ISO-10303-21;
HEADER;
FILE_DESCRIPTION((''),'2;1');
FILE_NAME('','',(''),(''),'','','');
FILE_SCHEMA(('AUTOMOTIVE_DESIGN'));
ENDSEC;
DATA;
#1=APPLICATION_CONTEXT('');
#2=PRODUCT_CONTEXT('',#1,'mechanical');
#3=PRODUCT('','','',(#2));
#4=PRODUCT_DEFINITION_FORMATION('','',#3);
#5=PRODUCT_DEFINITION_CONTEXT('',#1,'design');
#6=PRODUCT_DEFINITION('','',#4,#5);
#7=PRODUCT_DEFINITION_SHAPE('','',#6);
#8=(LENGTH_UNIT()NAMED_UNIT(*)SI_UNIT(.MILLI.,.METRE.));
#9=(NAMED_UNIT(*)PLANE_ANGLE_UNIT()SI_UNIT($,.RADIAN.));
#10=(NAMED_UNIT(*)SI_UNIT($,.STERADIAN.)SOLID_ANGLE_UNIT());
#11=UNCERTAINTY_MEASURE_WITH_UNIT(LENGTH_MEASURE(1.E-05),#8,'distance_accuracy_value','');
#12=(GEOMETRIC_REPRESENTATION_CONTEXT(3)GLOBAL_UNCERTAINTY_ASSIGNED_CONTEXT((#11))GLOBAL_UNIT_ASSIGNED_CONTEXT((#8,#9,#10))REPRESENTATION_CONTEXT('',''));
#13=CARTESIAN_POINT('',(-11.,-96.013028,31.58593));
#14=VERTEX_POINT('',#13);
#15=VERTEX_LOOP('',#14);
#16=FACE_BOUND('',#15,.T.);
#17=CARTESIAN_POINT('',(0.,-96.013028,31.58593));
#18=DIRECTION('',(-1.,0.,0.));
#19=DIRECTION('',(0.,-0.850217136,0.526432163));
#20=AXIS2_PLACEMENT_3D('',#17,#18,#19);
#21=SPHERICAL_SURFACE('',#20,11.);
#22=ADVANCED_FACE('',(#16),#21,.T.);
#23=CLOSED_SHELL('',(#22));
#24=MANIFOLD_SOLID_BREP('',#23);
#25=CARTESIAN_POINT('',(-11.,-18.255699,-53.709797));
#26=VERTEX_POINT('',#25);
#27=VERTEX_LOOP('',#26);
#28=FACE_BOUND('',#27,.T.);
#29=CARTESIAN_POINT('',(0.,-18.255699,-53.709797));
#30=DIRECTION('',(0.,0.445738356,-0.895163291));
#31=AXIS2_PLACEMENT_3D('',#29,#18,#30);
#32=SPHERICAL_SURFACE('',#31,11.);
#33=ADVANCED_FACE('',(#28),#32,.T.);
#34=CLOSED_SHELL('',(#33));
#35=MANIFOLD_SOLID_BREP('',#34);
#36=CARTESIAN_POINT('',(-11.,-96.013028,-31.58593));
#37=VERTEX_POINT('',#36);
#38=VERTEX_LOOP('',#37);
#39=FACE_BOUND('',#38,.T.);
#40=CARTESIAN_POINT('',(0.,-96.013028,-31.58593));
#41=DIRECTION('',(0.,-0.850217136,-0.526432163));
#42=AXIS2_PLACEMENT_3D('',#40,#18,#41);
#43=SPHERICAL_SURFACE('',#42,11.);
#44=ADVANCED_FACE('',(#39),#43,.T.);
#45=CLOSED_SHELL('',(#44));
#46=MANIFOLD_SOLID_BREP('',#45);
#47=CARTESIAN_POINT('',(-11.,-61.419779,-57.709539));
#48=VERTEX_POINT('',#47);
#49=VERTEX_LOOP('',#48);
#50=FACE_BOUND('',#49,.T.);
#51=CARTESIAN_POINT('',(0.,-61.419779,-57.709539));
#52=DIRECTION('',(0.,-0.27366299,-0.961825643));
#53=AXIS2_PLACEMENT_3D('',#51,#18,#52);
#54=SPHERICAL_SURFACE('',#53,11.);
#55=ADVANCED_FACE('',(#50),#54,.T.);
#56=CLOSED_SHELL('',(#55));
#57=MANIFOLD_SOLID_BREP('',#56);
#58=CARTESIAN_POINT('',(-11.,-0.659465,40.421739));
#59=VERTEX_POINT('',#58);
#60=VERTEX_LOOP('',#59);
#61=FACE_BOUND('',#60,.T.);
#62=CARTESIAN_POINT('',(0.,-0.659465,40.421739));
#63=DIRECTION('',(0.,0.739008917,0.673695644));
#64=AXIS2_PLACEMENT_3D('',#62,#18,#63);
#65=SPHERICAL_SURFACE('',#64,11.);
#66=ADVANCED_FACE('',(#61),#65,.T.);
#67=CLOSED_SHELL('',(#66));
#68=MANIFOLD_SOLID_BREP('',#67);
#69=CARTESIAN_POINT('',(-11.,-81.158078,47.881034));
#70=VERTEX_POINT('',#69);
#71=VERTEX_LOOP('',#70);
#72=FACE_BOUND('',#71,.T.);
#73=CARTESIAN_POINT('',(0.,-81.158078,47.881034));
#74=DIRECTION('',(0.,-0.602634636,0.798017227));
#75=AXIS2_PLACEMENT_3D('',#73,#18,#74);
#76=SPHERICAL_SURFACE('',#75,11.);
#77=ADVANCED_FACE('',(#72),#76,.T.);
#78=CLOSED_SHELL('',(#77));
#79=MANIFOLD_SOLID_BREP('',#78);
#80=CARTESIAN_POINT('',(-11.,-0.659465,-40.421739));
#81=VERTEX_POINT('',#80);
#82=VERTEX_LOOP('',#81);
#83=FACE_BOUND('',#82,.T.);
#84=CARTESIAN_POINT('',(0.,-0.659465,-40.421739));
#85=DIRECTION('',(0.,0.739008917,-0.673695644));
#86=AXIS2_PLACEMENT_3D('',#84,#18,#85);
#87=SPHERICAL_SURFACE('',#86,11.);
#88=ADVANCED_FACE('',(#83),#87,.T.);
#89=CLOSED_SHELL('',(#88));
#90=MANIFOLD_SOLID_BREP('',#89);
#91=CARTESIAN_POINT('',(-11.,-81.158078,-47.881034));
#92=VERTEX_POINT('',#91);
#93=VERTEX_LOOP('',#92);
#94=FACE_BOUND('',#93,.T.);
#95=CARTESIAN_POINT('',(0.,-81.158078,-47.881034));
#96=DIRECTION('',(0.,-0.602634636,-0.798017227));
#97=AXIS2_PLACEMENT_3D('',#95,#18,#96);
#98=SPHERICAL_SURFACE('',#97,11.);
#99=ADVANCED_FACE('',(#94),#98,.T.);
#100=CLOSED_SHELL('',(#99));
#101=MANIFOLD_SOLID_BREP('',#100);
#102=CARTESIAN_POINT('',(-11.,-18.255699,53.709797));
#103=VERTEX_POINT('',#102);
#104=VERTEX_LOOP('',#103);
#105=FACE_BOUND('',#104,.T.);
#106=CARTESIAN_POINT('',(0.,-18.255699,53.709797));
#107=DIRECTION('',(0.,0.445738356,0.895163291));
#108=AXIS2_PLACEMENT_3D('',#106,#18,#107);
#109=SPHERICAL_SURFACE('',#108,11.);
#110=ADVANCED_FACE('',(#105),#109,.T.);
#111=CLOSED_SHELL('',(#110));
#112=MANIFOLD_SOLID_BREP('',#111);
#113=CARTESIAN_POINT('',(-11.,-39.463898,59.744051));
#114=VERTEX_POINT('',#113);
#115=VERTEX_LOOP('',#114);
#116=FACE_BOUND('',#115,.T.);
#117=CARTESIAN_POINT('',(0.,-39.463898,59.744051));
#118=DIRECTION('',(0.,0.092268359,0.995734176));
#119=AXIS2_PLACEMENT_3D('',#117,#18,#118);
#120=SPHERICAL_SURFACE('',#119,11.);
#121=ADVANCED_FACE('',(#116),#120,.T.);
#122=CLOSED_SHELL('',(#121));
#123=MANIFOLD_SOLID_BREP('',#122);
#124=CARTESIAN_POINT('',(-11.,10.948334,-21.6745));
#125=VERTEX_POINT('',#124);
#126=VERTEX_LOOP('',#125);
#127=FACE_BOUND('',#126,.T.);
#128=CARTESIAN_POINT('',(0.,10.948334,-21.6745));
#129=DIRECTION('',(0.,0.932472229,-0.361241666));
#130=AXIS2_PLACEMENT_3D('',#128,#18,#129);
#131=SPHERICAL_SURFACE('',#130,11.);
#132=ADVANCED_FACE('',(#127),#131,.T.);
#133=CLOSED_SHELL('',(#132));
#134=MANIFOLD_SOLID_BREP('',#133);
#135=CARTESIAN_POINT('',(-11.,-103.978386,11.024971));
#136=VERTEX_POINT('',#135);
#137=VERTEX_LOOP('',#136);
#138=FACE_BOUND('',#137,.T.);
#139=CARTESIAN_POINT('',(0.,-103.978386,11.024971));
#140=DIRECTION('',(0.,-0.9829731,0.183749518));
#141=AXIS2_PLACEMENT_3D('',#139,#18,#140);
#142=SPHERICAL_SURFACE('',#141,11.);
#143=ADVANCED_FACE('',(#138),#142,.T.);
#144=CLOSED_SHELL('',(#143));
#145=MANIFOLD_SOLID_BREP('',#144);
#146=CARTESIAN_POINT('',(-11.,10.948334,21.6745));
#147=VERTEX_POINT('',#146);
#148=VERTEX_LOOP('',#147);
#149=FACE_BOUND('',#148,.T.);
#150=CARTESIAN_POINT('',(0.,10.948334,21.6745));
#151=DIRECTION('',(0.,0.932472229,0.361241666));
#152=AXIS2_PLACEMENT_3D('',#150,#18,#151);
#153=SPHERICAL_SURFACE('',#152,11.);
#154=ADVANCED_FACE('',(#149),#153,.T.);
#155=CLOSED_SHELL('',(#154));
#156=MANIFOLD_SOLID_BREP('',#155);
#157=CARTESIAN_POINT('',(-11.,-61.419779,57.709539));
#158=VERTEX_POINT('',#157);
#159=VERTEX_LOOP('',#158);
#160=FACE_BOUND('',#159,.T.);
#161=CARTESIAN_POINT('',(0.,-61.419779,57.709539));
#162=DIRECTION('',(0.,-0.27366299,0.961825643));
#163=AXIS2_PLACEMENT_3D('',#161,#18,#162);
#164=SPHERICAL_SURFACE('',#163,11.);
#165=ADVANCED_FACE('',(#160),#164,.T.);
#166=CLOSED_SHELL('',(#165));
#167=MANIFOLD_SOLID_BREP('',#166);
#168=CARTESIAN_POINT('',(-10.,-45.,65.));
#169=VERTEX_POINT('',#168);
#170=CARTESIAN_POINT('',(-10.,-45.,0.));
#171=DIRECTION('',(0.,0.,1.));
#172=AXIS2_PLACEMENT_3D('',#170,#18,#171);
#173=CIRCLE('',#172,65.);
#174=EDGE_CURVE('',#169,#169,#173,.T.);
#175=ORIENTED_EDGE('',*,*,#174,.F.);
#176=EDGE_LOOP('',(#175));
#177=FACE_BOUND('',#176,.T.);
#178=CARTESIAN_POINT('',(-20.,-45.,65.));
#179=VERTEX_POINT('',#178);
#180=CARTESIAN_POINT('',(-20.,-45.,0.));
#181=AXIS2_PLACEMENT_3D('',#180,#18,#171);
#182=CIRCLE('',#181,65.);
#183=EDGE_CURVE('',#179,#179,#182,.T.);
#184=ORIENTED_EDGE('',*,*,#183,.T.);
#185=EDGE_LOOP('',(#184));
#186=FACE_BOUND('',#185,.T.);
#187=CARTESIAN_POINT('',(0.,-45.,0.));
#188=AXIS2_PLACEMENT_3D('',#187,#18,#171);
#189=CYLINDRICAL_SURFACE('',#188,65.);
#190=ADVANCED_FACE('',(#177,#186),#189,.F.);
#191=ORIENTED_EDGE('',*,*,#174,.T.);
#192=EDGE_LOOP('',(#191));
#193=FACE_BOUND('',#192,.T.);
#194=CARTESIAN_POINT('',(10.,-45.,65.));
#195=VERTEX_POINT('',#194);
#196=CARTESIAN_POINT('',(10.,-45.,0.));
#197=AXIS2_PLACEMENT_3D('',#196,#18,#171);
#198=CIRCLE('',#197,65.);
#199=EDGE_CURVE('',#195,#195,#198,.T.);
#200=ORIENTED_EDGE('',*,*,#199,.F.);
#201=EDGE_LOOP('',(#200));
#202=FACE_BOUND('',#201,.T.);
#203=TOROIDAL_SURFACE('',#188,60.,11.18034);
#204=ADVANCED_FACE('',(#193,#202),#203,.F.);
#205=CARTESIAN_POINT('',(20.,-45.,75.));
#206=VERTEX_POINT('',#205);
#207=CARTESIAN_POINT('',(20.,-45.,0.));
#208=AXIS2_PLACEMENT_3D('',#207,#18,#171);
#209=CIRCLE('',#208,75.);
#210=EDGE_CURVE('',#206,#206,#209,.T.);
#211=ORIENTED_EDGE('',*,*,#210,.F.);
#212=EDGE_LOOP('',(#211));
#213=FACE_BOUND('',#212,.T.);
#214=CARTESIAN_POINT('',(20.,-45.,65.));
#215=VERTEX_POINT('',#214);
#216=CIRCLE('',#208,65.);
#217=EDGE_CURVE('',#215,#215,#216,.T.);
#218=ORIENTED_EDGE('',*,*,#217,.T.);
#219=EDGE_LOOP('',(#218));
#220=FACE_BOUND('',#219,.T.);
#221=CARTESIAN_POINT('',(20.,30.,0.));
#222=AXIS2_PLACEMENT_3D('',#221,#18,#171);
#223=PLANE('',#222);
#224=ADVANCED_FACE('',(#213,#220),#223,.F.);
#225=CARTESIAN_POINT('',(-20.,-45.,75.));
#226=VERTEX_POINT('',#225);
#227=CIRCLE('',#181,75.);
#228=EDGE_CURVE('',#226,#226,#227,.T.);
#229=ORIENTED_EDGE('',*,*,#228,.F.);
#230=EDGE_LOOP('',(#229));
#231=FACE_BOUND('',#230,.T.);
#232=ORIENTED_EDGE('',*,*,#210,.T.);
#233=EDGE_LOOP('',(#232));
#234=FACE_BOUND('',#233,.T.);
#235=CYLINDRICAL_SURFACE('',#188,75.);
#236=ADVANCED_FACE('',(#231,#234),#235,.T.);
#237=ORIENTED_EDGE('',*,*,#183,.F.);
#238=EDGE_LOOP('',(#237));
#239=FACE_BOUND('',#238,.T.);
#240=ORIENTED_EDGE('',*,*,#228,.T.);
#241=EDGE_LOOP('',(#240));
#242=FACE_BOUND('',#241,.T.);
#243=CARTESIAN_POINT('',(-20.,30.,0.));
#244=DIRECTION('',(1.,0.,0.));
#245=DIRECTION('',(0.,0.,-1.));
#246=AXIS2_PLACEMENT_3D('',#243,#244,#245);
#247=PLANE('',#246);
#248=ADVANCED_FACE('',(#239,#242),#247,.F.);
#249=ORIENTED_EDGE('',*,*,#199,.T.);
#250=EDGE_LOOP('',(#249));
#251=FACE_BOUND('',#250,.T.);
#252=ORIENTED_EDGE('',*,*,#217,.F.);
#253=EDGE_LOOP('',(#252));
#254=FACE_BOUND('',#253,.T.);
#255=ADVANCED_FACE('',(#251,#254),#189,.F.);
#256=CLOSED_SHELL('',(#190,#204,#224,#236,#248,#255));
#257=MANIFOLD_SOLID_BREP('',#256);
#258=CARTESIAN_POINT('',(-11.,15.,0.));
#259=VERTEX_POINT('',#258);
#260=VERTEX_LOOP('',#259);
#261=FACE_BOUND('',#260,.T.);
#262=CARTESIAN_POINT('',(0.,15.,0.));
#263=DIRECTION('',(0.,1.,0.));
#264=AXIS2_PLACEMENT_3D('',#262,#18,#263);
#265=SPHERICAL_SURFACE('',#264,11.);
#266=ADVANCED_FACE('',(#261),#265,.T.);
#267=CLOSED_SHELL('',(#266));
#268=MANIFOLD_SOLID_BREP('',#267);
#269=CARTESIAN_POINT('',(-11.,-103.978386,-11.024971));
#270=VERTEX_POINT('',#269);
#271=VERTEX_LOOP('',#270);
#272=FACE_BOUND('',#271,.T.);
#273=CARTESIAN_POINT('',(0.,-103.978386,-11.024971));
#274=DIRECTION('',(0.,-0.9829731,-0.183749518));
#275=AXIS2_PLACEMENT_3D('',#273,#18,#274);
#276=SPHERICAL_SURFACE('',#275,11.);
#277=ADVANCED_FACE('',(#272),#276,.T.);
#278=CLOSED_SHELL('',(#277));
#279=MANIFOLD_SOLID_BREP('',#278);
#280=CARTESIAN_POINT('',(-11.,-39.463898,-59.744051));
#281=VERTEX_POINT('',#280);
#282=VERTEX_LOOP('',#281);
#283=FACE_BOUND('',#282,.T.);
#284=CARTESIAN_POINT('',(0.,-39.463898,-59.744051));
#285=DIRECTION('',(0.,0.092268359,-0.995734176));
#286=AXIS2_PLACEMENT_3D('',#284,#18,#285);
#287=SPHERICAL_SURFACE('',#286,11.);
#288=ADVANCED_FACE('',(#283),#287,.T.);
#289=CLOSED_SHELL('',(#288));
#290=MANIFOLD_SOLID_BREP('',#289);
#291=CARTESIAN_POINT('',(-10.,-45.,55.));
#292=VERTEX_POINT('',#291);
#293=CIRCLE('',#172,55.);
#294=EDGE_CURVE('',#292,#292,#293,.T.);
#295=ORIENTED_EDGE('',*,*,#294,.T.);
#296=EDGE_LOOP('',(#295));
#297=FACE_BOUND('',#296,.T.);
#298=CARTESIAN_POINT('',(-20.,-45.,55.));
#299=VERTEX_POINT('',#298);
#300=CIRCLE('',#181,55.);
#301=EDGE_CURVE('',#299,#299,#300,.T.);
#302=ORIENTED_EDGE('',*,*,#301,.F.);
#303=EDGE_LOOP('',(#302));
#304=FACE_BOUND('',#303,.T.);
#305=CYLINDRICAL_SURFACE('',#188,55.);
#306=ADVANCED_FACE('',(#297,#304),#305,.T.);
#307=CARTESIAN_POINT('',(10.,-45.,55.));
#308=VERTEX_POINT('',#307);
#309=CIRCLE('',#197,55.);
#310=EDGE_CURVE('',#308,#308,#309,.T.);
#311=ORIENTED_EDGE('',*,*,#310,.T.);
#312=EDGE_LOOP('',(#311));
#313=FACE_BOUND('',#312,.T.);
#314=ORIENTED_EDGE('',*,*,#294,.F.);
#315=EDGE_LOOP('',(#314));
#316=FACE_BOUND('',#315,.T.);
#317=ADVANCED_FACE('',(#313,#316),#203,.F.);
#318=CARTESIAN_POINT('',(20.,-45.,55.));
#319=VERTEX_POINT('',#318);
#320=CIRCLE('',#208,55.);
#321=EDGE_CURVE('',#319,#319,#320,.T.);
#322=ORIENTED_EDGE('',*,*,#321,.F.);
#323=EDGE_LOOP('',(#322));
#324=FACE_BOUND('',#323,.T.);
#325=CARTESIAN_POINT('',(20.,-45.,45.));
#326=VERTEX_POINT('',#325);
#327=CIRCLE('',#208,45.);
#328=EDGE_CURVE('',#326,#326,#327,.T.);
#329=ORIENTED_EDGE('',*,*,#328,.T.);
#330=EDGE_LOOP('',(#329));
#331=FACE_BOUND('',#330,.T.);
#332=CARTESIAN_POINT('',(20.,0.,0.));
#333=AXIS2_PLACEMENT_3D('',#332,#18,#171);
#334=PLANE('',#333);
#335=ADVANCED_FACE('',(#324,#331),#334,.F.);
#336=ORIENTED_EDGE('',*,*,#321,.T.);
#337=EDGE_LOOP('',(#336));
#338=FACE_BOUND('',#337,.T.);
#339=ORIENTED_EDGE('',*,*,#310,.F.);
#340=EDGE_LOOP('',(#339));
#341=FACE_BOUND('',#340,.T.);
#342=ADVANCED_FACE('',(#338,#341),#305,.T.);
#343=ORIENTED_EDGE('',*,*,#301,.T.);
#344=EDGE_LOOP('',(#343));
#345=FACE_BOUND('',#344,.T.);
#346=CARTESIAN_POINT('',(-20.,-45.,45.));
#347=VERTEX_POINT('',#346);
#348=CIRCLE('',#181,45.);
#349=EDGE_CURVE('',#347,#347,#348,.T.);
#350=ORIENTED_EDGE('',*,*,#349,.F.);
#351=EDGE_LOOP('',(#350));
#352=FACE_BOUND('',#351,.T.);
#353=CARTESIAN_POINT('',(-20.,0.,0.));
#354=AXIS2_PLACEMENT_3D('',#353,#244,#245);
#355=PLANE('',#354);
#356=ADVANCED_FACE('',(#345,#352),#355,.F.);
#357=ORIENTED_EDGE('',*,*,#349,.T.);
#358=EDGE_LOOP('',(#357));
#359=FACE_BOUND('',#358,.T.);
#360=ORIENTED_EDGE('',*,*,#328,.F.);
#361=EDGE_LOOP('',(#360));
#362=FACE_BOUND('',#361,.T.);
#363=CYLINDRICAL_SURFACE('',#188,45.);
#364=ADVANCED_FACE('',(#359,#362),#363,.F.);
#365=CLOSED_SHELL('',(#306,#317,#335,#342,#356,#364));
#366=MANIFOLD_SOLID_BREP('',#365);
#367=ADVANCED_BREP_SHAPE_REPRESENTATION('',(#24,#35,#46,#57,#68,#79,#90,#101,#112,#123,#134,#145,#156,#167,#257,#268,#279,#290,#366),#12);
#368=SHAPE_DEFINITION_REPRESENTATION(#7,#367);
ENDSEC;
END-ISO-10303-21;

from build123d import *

# Parameters (mm, degrees)
RIPETIZIONECIRCOLARE2_COUNT = 17


with BuildPart() as part:
    # Schizzo2 → Rivoluzione1 (revolve)
    with BuildSketch(Plane.XY, mode=Mode.PRIVATE) as rivoluzione1_sk:
        with BuildLine():
            Line((20, 0), (-20, 0))
            Line((-20, 0), (-20, 10))
            Line((-20, 10), (-10, 10))
            ThreePointArc((-10, 10), (0, 3.819660113), (10, 10))
            Line((10, 10), (20, 10))
            Line((20, 10), (20, 0))
        make_face()
        with BuildLine():
            Line((20, 30), (20, 20))
            Line((20, 20), (10, 20))
            ThreePointArc((10, 20), (0, 26.180339887), (-10, 20))
            Line((-10, 20), (-20, 20))
            Line((-20, 20), (-20, 30))
            Line((-20, 30), (20, 30))
        make_face()
    revolve(rivoluzione1_sk.sketch.rotate(Axis((0, -45, 0), (1, 0, 0)), 90), axis=Axis((0, -45, 0), (1, 0, 0)))


with BuildPart() as body_2:
    # Schizzo4 → Rivoluzione3 (revolve)
    with BuildSketch(Plane.XY):
        with BuildLine():
            Line((-11, 15), (11, 15))
            ThreePointArc((11, 15), (0, 4), (-11, 15))
        make_face()
    revolve(axis=Axis((-11, 15, 0), (1, 0, 0)))


with BuildPart() as ripetizionecircolare2_1:
    # RipetizioneCircolare2: pattern copy
    add(body_2.part.rotate(Axis((0, -45, 0), (1, 0, 0)), 1 * 360 / RIPETIZIONECIRCOLARE2_COUNT))


with BuildPart() as ripetizionecircolare2_2:
    # RipetizioneCircolare2: pattern copy
    add(body_2.part.rotate(Axis((0, -45, 0), (1, 0, 0)), 2 * 360 / RIPETIZIONECIRCOLARE2_COUNT))


with BuildPart() as ripetizionecircolare2_3:
    # RipetizioneCircolare2: pattern copy
    add(body_2.part.rotate(Axis((0, -45, 0), (1, 0, 0)), 3 * 360 / RIPETIZIONECIRCOLARE2_COUNT))


with BuildPart() as ripetizionecircolare2_4:
    # RipetizioneCircolare2: pattern copy
    add(body_2.part.rotate(Axis((0, -45, 0), (1, 0, 0)), 4 * 360 / RIPETIZIONECIRCOLARE2_COUNT))


with BuildPart() as ripetizionecircolare2_5:
    # RipetizioneCircolare2: pattern copy
    add(body_2.part.rotate(Axis((0, -45, 0), (1, 0, 0)), 5 * 360 / RIPETIZIONECIRCOLARE2_COUNT))


with BuildPart() as ripetizionecircolare2_6:
    # RipetizioneCircolare2: pattern copy
    add(body_2.part.rotate(Axis((0, -45, 0), (1, 0, 0)), 6 * 360 / RIPETIZIONECIRCOLARE2_COUNT))


with BuildPart() as ripetizionecircolare2_7:
    # RipetizioneCircolare2: pattern copy
    add(body_2.part.rotate(Axis((0, -45, 0), (1, 0, 0)), 7 * 360 / RIPETIZIONECIRCOLARE2_COUNT))


with BuildPart() as ripetizionecircolare2_8:
    # RipetizioneCircolare2: pattern copy
    add(body_2.part.rotate(Axis((0, -45, 0), (1, 0, 0)), 8 * 360 / RIPETIZIONECIRCOLARE2_COUNT))


with BuildPart() as ripetizionecircolare2_9:
    # RipetizioneCircolare2: pattern copy
    add(body_2.part.rotate(Axis((0, -45, 0), (1, 0, 0)), 9 * 360 / RIPETIZIONECIRCOLARE2_COUNT))


with BuildPart() as ripetizionecircolare2_10:
    # RipetizioneCircolare2: pattern copy
    add(body_2.part.rotate(Axis((0, -45, 0), (1, 0, 0)), 10 * 360 / RIPETIZIONECIRCOLARE2_COUNT))


with BuildPart() as ripetizionecircolare2_11:
    # RipetizioneCircolare2: pattern copy
    add(body_2.part.rotate(Axis((0, -45, 0), (1, 0, 0)), 11 * 360 / RIPETIZIONECIRCOLARE2_COUNT))


with BuildPart() as ripetizionecircolare2_12:
    # RipetizioneCircolare2: pattern copy
    add(body_2.part.rotate(Axis((0, -45, 0), (1, 0, 0)), 12 * 360 / RIPETIZIONECIRCOLARE2_COUNT))


with BuildPart() as ripetizionecircolare2_13:
    # RipetizioneCircolare2: pattern copy
    add(body_2.part.rotate(Axis((0, -45, 0), (1, 0, 0)), 13 * 360 / RIPETIZIONECIRCOLARE2_COUNT))


with BuildPart() as ripetizionecircolare2_14:
    # RipetizioneCircolare2: pattern copy
    add(body_2.part.rotate(Axis((0, -45, 0), (1, 0, 0)), 14 * 360 / RIPETIZIONECIRCOLARE2_COUNT))


with BuildPart() as ripetizionecircolare2_15:
    # RipetizioneCircolare2: pattern copy
    add(body_2.part.rotate(Axis((0, -45, 0), (1, 0, 0)), 15 * 360 / RIPETIZIONECIRCOLARE2_COUNT))


with BuildPart() as ripetizionecircolare2_16:
    # RipetizioneCircolare2: pattern copy
    add(body_2.part.rotate(Axis((0, -45, 0), (1, 0, 0)), 16 * 360 / RIPETIZIONECIRCOLARE2_COUNT))


solid = Compound([part.part, body_2.part, ripetizionecircolare2_1.part, ripetizionecircolare2_2.part, ripetizionecircolare2_3.part, ripetizionecircolare2_4.part, ripetizionecircolare2_5.part, ripetizionecircolare2_6.part, ripetizionecircolare2_7.part, ripetizionecircolare2_8.part, ripetizionecircolare2_9.part, ripetizionecircolare2_10.part, ripetizionecircolare2_11.part, ripetizionecircolare2_12.part, ripetizionecircolare2_13.part, ripetizionecircolare2_14.part, ripetizionecircolare2_15.part, ripetizionecircolare2_16.part])
